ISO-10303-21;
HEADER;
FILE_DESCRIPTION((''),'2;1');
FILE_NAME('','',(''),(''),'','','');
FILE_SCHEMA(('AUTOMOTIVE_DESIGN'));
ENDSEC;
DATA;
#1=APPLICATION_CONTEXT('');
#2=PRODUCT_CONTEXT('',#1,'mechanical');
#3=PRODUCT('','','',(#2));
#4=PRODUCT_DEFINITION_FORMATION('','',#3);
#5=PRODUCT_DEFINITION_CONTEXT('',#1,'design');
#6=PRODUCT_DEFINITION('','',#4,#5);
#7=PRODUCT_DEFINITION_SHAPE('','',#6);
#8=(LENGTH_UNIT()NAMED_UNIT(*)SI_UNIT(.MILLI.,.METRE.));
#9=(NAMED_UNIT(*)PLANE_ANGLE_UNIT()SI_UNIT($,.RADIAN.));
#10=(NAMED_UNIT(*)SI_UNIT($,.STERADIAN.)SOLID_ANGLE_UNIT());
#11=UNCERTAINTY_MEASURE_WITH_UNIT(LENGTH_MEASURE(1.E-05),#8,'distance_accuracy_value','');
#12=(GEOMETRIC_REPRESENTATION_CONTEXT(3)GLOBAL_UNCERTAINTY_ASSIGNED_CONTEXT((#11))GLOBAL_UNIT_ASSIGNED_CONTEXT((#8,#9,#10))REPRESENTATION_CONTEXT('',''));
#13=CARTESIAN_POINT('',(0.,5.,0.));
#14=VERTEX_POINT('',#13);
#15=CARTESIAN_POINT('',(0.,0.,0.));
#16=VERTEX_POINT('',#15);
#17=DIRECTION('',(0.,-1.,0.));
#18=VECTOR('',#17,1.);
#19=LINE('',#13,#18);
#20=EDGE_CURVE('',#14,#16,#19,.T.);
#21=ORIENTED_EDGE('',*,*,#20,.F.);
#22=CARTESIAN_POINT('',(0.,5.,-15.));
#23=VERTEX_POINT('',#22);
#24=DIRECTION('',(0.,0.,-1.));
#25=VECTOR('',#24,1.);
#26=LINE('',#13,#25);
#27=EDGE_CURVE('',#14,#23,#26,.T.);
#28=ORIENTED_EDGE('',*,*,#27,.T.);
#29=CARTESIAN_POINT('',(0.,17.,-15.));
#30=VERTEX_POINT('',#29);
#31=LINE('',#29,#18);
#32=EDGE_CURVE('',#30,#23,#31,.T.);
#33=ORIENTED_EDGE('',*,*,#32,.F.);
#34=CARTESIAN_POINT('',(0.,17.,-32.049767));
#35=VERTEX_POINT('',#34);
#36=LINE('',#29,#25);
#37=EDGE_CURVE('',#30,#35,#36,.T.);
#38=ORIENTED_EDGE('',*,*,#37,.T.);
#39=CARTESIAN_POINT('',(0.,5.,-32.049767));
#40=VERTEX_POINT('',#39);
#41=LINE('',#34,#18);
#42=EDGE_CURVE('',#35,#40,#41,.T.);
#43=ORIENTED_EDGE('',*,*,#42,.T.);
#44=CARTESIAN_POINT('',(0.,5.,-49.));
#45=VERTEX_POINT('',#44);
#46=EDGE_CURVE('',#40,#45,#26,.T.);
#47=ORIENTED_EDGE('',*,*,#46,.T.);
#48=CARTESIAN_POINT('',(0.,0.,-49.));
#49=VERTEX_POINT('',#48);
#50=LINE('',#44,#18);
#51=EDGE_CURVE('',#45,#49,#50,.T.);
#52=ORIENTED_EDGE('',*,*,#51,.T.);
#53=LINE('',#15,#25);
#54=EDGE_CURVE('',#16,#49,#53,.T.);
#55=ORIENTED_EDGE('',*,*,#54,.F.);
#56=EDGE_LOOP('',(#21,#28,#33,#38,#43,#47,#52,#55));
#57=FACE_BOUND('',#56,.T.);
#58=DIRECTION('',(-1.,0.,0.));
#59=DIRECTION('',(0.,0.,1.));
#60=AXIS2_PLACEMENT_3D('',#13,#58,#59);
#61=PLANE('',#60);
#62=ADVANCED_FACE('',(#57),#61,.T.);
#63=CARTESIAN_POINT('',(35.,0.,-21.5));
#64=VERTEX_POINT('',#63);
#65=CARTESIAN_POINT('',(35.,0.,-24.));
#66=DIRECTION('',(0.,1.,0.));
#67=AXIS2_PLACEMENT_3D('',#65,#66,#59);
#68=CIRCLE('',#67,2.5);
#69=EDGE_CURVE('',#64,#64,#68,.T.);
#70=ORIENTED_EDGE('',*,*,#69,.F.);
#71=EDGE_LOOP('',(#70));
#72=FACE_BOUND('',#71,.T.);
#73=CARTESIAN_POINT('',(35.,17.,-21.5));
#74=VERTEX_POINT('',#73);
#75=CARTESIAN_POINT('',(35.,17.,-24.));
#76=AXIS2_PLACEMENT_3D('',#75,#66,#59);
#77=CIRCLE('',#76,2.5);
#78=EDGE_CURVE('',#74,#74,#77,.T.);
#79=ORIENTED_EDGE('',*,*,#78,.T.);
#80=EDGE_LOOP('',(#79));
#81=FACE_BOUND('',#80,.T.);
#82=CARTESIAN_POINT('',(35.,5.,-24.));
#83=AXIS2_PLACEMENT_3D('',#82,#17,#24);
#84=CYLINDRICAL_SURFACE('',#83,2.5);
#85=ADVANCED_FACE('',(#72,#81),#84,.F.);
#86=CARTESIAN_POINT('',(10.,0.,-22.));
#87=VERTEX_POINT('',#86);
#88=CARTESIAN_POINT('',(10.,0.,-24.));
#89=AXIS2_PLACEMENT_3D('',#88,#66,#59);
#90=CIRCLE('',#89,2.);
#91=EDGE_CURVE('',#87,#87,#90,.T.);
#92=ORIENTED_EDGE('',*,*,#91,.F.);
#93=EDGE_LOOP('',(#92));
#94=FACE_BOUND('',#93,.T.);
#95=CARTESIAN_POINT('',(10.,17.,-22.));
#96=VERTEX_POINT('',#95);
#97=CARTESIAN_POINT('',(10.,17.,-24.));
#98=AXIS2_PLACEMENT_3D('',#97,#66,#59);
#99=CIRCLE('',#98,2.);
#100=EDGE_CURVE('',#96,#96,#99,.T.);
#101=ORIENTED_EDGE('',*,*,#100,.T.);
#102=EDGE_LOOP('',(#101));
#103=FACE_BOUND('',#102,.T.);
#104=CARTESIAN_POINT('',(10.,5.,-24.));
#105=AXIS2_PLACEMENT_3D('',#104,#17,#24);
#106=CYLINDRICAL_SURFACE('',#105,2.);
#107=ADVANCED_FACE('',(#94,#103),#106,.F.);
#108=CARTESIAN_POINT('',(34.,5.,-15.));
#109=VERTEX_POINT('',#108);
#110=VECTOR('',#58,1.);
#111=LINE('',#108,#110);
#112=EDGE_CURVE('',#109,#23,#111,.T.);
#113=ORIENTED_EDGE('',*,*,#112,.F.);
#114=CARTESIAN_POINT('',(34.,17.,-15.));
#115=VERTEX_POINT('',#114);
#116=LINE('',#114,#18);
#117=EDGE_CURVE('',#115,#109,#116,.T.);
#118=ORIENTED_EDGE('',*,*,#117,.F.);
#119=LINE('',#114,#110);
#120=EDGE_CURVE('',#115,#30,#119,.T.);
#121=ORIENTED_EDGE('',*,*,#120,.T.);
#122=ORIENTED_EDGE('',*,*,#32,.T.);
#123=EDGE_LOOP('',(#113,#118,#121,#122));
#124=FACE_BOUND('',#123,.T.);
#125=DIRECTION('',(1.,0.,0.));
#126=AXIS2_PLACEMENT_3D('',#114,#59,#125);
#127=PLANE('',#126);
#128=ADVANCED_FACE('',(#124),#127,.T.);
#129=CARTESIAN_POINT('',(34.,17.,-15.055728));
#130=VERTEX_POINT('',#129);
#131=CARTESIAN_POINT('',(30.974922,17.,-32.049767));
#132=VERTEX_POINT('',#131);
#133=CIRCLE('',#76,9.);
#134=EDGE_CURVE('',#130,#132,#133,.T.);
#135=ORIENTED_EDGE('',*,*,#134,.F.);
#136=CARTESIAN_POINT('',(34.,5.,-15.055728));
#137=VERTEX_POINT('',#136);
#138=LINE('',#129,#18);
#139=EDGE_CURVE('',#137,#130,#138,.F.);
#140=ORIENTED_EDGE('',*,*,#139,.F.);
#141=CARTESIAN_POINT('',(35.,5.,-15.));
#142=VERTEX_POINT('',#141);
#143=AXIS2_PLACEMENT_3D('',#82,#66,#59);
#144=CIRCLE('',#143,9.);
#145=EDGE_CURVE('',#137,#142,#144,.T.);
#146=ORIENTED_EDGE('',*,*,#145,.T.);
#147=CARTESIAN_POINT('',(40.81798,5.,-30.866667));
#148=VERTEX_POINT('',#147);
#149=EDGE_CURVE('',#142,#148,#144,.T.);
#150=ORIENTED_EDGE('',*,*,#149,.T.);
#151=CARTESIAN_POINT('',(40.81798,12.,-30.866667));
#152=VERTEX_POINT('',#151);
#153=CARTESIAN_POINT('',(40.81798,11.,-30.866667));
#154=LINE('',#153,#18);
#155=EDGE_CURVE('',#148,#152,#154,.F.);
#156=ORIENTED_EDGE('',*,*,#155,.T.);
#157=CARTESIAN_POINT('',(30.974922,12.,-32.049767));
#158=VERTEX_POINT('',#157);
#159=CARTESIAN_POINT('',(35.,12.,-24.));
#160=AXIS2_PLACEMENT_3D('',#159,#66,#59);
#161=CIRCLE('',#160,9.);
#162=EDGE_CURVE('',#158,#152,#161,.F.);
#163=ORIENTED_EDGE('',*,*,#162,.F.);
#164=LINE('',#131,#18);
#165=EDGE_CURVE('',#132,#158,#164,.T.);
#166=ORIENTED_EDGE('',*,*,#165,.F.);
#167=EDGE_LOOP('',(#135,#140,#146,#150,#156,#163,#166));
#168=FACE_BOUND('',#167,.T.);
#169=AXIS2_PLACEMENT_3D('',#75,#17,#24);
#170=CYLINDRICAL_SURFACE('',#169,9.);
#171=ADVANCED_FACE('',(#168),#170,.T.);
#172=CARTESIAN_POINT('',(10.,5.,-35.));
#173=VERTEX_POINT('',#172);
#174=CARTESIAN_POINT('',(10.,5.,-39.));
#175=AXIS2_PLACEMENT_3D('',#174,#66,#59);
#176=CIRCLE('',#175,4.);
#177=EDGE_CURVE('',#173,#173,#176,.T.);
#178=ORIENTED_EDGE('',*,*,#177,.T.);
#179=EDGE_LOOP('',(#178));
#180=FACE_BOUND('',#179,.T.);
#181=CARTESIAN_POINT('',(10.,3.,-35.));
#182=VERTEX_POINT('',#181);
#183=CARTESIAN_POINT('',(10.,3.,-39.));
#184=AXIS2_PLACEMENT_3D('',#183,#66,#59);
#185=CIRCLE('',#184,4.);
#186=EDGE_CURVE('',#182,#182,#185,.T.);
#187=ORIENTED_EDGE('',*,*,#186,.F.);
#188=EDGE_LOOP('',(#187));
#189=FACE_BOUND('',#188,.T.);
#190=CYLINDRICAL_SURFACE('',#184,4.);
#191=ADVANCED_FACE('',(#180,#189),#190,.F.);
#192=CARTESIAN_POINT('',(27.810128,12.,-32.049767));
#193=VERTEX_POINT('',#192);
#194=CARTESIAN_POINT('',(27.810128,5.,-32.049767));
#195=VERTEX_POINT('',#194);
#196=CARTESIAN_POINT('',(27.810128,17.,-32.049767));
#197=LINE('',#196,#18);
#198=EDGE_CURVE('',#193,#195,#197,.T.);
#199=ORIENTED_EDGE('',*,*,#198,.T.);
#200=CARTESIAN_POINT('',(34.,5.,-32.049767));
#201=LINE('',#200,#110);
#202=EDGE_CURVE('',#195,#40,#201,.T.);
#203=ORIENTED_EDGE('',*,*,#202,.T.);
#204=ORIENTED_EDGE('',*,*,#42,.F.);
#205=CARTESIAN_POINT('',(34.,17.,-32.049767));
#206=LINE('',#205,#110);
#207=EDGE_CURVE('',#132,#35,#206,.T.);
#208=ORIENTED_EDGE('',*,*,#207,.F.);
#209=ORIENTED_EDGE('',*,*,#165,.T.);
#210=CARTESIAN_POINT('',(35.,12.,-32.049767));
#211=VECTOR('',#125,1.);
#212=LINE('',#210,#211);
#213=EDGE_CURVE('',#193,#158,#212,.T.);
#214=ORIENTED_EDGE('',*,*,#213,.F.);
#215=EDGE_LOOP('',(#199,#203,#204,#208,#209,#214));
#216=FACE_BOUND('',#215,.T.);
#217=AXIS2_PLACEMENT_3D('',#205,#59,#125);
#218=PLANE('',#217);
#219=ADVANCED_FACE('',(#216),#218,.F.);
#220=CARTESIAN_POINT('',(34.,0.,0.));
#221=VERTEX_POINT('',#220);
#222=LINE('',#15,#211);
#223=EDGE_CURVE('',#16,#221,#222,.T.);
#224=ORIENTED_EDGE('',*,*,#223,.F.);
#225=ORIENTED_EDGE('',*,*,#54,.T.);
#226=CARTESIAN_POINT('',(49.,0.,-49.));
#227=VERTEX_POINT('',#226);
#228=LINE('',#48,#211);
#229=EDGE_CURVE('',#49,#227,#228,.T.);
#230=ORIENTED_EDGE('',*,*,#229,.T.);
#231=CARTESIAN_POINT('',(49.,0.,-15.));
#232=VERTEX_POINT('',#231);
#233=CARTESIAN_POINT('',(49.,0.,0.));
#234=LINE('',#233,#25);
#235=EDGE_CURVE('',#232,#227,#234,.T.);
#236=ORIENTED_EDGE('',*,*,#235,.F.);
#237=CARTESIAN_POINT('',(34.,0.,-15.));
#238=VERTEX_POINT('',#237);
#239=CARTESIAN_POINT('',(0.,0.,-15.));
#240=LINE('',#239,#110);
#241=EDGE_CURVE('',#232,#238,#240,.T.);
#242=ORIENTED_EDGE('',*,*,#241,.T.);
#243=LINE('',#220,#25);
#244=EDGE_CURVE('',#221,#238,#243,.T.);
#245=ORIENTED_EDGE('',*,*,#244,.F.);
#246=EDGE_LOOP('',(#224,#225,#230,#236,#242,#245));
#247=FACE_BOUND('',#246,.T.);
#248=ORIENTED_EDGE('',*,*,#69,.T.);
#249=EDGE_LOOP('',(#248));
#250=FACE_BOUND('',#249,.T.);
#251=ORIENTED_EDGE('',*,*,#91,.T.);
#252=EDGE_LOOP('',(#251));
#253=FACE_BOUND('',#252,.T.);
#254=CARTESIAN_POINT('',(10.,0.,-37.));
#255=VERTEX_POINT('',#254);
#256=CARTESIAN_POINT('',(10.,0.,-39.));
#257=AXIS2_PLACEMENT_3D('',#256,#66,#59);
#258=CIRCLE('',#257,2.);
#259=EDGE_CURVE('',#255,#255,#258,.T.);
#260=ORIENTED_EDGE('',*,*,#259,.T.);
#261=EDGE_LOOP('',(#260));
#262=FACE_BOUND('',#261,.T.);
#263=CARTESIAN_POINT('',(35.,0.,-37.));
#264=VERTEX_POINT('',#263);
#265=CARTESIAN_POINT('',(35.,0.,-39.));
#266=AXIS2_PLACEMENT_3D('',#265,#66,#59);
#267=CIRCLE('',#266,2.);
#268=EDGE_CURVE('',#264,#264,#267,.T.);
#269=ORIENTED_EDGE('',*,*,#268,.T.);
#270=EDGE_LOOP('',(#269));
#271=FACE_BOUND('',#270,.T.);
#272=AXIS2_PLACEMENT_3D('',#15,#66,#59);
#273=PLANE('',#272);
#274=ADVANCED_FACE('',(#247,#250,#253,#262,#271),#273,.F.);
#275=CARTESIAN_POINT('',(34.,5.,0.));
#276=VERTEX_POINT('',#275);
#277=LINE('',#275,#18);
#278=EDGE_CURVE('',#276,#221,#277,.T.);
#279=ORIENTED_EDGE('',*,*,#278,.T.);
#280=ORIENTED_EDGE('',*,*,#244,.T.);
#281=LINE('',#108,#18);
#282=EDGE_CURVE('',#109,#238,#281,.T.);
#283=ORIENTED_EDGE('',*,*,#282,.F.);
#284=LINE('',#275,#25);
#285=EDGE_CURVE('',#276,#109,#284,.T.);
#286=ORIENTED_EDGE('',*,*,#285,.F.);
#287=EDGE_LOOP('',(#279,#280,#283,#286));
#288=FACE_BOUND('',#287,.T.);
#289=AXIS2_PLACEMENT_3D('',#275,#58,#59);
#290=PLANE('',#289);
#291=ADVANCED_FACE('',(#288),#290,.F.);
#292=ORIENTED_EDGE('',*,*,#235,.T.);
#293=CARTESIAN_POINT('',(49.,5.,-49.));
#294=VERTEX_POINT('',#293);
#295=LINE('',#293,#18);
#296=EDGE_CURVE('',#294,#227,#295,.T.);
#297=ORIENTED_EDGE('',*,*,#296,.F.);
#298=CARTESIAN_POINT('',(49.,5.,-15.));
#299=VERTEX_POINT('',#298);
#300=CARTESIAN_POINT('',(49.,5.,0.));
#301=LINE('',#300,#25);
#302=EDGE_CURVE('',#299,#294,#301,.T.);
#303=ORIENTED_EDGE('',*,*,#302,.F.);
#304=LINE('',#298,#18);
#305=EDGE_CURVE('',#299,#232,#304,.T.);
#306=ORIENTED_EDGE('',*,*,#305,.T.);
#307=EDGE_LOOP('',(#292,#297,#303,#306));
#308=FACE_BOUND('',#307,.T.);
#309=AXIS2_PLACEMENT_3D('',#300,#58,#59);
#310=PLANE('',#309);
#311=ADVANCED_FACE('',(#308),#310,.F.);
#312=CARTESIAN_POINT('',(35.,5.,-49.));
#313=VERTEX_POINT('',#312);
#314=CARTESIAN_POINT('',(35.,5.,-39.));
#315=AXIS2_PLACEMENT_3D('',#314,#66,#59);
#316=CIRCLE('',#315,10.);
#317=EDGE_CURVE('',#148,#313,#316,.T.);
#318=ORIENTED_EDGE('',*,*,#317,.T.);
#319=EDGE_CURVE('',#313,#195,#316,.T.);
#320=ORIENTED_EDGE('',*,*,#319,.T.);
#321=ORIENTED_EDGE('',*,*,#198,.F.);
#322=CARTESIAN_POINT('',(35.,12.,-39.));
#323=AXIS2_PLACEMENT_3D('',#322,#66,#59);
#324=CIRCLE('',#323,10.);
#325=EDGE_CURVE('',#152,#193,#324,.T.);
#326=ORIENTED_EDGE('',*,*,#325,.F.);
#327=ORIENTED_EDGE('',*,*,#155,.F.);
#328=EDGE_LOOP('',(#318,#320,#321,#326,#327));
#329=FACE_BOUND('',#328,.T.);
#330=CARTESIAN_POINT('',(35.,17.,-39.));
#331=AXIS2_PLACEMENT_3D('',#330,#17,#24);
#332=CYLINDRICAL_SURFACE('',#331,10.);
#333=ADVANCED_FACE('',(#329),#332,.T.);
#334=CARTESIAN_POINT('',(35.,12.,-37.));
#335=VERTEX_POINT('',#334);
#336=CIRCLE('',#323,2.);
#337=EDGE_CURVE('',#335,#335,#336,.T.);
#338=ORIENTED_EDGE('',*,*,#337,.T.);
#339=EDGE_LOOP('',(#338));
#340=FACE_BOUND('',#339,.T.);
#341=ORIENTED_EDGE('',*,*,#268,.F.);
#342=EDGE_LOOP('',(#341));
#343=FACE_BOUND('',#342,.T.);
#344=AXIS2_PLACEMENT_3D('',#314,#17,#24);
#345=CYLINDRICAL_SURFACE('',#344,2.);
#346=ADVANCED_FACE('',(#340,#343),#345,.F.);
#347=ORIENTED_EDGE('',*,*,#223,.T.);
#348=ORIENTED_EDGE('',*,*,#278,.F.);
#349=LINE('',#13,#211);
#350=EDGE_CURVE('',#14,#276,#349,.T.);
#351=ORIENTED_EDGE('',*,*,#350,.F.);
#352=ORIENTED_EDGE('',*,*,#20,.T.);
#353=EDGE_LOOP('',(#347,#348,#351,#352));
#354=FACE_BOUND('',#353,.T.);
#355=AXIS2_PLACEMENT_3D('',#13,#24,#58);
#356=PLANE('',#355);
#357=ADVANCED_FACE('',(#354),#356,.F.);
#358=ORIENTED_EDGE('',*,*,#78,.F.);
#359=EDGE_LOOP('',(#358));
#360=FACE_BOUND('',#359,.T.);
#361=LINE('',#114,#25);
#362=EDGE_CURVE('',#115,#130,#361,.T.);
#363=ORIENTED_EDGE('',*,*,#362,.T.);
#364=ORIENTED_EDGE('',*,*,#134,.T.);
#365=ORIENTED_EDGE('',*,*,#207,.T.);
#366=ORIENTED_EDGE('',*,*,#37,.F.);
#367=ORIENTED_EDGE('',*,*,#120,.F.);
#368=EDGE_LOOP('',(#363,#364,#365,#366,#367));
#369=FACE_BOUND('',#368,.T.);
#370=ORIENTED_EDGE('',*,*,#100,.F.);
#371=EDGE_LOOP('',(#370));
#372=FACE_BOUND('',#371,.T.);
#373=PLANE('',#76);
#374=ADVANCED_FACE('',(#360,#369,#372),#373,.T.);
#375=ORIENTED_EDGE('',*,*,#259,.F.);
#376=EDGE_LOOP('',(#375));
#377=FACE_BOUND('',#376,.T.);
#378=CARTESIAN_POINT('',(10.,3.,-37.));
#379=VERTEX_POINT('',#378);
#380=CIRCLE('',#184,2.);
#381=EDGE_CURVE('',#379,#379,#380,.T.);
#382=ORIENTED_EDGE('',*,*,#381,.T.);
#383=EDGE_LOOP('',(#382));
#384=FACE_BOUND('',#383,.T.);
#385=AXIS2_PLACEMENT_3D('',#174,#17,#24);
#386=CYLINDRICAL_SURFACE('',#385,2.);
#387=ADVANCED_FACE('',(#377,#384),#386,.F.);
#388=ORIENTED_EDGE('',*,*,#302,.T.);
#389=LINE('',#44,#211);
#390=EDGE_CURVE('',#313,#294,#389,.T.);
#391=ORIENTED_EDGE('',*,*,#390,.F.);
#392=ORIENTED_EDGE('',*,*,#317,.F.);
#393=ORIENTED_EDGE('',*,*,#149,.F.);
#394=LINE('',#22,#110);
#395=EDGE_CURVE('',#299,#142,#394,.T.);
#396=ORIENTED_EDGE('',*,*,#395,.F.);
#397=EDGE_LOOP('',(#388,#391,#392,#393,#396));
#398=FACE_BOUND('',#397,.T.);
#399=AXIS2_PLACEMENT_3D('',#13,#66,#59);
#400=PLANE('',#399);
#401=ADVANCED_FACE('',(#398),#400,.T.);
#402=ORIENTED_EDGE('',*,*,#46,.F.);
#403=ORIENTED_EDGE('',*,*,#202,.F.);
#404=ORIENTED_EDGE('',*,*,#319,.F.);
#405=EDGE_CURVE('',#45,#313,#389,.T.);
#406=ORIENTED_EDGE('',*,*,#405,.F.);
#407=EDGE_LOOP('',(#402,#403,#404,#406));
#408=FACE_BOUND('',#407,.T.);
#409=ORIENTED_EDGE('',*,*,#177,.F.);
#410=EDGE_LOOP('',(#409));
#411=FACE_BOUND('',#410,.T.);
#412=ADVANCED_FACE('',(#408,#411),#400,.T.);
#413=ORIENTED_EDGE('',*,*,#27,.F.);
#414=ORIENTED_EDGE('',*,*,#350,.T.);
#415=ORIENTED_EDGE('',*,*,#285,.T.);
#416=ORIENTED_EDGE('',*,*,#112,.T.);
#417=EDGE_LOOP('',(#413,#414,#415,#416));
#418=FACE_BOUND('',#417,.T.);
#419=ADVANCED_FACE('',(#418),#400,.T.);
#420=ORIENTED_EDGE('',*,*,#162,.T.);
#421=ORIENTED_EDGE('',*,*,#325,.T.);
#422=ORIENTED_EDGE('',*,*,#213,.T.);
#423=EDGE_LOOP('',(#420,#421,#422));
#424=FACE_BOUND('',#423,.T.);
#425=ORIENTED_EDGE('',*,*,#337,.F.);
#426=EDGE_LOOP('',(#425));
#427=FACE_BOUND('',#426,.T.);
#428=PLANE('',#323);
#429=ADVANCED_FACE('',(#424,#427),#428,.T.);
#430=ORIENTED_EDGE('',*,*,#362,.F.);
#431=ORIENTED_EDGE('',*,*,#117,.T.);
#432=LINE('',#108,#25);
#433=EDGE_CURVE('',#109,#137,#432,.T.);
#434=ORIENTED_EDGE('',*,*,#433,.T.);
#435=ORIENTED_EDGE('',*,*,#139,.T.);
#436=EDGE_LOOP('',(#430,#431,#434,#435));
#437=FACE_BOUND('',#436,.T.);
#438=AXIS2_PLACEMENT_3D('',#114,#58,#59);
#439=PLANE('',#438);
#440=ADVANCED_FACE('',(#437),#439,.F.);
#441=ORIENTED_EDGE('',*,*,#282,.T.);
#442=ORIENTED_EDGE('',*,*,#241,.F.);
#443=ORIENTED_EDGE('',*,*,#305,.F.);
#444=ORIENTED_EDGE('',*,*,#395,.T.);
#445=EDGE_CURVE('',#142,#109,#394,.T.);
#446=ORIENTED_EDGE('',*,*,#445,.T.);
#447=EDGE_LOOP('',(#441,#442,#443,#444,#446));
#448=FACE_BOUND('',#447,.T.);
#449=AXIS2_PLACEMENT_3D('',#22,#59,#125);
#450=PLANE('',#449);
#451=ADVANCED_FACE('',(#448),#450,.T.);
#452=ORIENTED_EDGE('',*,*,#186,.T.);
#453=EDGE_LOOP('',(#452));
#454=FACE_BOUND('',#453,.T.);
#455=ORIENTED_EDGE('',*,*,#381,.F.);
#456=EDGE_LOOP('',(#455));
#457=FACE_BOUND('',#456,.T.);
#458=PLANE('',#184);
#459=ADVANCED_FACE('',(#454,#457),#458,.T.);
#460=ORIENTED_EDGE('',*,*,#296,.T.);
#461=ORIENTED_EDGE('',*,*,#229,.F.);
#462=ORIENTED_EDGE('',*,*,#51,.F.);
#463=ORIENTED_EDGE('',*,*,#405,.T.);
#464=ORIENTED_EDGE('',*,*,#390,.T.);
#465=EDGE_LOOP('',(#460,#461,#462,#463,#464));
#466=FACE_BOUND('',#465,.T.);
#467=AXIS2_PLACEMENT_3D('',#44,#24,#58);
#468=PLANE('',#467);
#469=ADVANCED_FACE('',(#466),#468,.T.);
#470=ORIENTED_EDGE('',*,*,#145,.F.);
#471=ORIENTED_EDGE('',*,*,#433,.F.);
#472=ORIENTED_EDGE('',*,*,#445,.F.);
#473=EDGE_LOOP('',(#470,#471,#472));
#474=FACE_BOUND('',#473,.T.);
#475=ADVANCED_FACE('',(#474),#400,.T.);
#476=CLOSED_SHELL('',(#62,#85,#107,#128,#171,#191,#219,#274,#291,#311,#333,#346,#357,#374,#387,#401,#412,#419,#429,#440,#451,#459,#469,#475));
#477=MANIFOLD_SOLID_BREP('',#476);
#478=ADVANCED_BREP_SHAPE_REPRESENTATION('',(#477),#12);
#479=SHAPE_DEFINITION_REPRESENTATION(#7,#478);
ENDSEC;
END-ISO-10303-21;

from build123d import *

# Parameters (mm, degrees)
SKETCH1_R           = 2
SKETCH1_R_2         = 2.5
BOSS_EXTRUDE1_DEPTH = 5
SKETCH2_R           = 4
CUT_EXTRUDE1_DEPTH  = 2
SKETCH3_R           = 10
BOSS_EXTRUDE2_DEPTH = 12
SKETCH4_R           = 2
CUT_EXTRUDE2_DEPTH  = 12
SKETCH5_R           = 10
SKETCH5_R_2         = 2
CUT_EXTRUDE3_DEPTH  = 5
SKETCH6_R           = 9
SKETCH6_R_2         = 2.5
BOSS_EXTRUDE3_DEPTH = 12
SKETCH7_R           = 2.299679875
SKETCH7_W           = 34
SKETCH7_H           = 17.049766734
SKETCH7_R_2         = 2
BOSS_EXTRUDE4_DEPTH = 12
SKETCH9_R           = 2.5
CUT_EXTRUDE5_DEPTH  = 27


with BuildPart() as part:
    # Sketch1 → Boss-Extrude1 (new body)
    with BuildSketch(Plane(origin=(0, 0, 0), x_dir=(1, 0, 0), z_dir=(0, 1, 0))):
        Polygon((0, 49), (0, 0), (34, 0), (34, 15), (49, 15), (49, 49), align=None)
        with Locations((10, 24)):
            Circle(SKETCH1_R, mode=Mode.SUBTRACT)
        with Locations((35, 24)):
            Circle(SKETCH1_R_2, mode=Mode.SUBTRACT)
        with Locations((10, 39)):
            Circle(SKETCH1_R, mode=Mode.SUBTRACT)
        with Locations((35, 39)):
            Circle(SKETCH1_R, mode=Mode.SUBTRACT)
    extrude(amount=BOSS_EXTRUDE1_DEPTH)

    # Sketch2 → Cut-Extrude1 (cut)
    with BuildSketch(Plane(origin=(0, 5, 0), x_dir=(1, 0, 0), z_dir=(0, 1, 0))):
        with Locations((10, 39)):
            Circle(SKETCH2_R)
    extrude(amount=-CUT_EXTRUDE1_DEPTH, mode=Mode.SUBTRACT)

    # Sketch3 → Boss-Extrude2 (add)
    with BuildSketch(Plane(origin=(0, 5, 0), x_dir=(1, 0, 0), z_dir=(0, 1, 0))):
        with Locations((35, 39)):
            Circle(SKETCH3_R)
    extrude(amount=BOSS_EXTRUDE2_DEPTH)

    # Sketch4 → Cut-Extrude2 (cut)
    with BuildSketch(Plane.XZ.offset(-5)):
        with Locations((35, -39)):
            Circle(SKETCH4_R)
    extrude(amount=-CUT_EXTRUDE2_DEPTH, mode=Mode.SUBTRACT)

    # Sketch5 → Cut-Extrude3 (cut)
    with BuildSketch(Plane(origin=(0, 17, 0), x_dir=(1, 0, 0), z_dir=(0, 1, 0))):
        with Locations((35, 39)):
            Circle(SKETCH5_R)
        with Locations((35, 39)):
            Circle(SKETCH5_R_2, mode=Mode.SUBTRACT)
    extrude(amount=-CUT_EXTRUDE3_DEPTH, mode=Mode.SUBTRACT)

    # Sketch6 → Boss-Extrude3 (add)
    with BuildSketch(Plane(origin=(0, 5, 0), x_dir=(1, 0, 0), z_dir=(0, 1, 0))):
        with Locations((35, 24)):
            Circle(SKETCH6_R)
        with Locations((35, 24)):
            Circle(SKETCH6_R_2, mode=Mode.SUBTRACT)
    extrude(amount=BOSS_EXTRUDE3_DEPTH)

    # Sketch7 → Boss-Extrude4 (add)
    with BuildSketch(Plane(origin=(0, 5, 0), x_dir=(1, 0, 0), z_dir=(0, 1, 0))):
        with Locations((35, 24)):
            Circle(SKETCH7_R)
        with Locations((17, 23.524883367)):
            Rectangle(SKETCH7_W, SKETCH7_H)
        with Locations((10, 24)):
            Circle(SKETCH7_R_2, mode=Mode.SUBTRACT)
    extrude(amount=BOSS_EXTRUDE4_DEPTH)

    # Sketch9 → Cut-Extrude5 (cut)
    with BuildSketch(Plane(origin=(0, 17, 0), x_dir=(1, 0, 0), z_dir=(0, 1, 0))):
        with Locations((35, 24)):
            Circle(SKETCH9_R)
    extrude(amount=-CUT_EXTRUDE5_DEPTH, mode=Mode.SUBTRACT)


solid = part.part
